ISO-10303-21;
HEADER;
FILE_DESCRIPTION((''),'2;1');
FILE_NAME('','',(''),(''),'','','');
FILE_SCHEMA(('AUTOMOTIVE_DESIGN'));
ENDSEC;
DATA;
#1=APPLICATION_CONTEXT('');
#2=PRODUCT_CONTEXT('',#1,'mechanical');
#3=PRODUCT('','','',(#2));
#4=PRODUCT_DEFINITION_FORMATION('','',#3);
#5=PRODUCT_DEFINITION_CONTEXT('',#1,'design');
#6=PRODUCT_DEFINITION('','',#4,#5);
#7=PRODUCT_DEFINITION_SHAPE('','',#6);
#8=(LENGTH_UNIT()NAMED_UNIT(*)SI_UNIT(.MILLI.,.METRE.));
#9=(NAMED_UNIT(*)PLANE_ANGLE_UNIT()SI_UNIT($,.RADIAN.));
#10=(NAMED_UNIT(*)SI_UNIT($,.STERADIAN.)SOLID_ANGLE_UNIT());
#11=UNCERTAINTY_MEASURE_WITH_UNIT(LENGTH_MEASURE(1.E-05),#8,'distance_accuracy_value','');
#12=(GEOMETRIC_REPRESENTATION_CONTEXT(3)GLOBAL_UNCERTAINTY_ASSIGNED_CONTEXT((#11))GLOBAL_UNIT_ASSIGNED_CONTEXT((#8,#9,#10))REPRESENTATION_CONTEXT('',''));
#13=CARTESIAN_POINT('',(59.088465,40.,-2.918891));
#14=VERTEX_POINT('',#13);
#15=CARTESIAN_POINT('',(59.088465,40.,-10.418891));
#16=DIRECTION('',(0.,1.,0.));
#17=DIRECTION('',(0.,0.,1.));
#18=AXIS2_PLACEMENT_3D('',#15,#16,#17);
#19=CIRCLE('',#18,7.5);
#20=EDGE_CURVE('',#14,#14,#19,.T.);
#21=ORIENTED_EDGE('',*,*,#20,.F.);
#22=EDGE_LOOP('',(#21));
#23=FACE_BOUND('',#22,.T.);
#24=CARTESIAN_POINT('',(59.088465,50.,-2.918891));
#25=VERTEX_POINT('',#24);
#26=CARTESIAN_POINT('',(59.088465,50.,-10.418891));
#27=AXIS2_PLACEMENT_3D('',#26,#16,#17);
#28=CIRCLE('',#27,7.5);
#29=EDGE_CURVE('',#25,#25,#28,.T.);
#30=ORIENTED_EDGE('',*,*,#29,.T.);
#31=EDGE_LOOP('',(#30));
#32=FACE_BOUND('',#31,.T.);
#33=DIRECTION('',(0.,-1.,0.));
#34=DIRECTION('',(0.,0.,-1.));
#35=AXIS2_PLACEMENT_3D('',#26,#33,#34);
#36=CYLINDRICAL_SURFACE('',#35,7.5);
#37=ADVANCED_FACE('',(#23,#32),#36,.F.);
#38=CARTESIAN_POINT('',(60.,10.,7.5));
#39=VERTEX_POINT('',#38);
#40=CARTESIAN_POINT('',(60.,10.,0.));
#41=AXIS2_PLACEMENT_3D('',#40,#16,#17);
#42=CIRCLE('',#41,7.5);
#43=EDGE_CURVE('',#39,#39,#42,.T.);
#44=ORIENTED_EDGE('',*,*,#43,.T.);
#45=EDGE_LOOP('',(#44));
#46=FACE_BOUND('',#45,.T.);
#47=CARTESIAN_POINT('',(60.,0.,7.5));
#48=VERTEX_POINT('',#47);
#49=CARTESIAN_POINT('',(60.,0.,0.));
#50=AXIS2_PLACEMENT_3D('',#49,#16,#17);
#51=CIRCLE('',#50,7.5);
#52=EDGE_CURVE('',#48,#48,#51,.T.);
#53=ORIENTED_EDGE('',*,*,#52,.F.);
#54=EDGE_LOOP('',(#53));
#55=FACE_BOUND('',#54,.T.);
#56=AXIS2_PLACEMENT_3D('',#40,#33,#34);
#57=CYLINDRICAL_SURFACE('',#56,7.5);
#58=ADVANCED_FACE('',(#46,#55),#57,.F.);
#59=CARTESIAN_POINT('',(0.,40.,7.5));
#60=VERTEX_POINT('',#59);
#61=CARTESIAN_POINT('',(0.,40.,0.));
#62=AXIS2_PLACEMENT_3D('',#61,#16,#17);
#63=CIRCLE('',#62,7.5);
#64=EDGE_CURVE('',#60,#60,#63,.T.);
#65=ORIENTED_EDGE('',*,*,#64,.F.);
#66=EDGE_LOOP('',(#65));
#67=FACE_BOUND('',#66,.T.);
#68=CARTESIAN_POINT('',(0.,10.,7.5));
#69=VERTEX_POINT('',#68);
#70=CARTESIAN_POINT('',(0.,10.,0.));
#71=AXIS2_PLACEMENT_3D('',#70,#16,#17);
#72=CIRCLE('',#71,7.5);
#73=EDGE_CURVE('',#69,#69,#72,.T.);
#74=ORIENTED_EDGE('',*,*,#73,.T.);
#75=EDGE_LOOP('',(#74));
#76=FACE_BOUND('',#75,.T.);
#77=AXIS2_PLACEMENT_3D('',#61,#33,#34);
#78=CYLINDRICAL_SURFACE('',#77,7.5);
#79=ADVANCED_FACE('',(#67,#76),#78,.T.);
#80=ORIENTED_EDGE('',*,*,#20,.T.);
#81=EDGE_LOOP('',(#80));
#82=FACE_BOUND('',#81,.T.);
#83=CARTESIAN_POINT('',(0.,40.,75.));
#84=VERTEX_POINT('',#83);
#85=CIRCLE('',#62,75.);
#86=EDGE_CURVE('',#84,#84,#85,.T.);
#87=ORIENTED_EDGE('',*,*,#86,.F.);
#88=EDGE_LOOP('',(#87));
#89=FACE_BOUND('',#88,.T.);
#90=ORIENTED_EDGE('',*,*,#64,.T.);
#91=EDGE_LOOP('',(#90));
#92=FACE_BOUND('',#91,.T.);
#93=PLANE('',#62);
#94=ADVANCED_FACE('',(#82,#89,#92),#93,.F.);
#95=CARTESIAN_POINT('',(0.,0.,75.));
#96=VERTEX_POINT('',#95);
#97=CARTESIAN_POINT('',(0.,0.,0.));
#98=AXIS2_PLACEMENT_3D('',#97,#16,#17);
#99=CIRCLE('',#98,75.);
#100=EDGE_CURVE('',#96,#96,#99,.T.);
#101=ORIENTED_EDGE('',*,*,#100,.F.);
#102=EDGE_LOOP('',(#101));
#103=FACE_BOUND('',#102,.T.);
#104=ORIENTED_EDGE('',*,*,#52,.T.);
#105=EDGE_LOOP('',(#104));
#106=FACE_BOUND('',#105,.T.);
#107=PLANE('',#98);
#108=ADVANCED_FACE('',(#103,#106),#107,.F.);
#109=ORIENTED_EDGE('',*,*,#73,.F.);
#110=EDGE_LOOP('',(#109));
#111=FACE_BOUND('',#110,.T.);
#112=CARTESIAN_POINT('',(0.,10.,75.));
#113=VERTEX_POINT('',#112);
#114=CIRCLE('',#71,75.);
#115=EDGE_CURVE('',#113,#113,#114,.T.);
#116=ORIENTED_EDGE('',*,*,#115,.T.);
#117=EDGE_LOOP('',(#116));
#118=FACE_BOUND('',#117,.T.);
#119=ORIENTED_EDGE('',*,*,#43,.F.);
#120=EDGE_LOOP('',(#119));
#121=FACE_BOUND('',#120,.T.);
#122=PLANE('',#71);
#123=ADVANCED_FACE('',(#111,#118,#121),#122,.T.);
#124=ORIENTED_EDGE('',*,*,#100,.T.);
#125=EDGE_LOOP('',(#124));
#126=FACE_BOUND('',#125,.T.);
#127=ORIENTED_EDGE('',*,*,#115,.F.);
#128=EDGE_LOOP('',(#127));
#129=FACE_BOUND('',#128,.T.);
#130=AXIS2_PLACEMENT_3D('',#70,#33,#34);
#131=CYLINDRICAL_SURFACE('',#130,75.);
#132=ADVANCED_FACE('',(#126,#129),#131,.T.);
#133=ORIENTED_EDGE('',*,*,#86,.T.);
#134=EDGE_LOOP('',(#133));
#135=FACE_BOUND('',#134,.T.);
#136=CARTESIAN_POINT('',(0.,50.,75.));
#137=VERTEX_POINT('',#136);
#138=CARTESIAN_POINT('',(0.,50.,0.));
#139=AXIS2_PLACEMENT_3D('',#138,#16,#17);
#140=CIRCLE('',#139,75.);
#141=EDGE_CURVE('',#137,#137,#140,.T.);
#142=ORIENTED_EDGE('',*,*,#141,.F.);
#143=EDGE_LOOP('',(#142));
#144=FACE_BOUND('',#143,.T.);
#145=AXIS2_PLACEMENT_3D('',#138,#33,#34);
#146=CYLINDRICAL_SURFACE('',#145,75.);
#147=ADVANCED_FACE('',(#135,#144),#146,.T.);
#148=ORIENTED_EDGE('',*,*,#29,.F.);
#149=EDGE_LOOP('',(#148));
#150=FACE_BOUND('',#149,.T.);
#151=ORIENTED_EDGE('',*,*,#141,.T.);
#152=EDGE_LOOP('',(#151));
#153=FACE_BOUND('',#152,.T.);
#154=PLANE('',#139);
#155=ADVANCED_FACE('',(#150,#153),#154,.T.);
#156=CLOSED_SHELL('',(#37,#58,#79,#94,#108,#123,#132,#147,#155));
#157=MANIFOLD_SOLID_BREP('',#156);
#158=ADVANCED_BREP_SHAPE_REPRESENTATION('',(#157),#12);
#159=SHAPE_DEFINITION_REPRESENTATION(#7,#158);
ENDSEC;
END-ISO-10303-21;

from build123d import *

# Parameters (mm, degrees)
SKETCH1_R           = 75
SKETCH1_R_2         = 7.5
BOSS_EXTRUDE1_DEPTH = 10
SKETCH2_R           = 7.5
BOSS_EXTRUDE2_DEPTH = 30
SKETCH3_R           = 75
SKETCH3_R_2         = 7.5
BOSS_EXTRUDE5_DEPTH = 10


with BuildPart() as part:
    # Sketch1 → Boss-Extrude1 (new body)
    with BuildSketch(Plane(origin=(0, 0, 0), x_dir=(1, 0, 0), z_dir=(0, 1, 0))):
        with Locations(Location((0, 0, 0), (0, 0, 270))):
            Circle(SKETCH1_R)
        with Locations(Location((60, 0, 0), (0, 0, 270))):
            Circle(SKETCH1_R_2, mode=Mode.SUBTRACT)
    extrude(amount=BOSS_EXTRUDE1_DEPTH)

    # Sketch2 → Boss-Extrude2 (add)
    with BuildSketch(Plane(origin=(0, 10, 0), x_dir=(1, 0, 0), z_dir=(0, 1, 0))):
        with Locations(Location((0, 0, 0), (0, 0, 270))):
            Circle(SKETCH2_R)
    extrude(amount=BOSS_EXTRUDE2_DEPTH)

    # Sketch3 → Boss-Extrude5 (add)
    with BuildSketch(Plane(origin=(0, 40, 0), x_dir=(1, 0, 0), z_dir=(0, 1, 0))):
        with Locations(Location((0, 0, 0), (0, 0, 270))):
            Circle(SKETCH3_R)
        with Locations(Location((59.088465181, 10.41889066, 0), (0, 0, 270))):
            Circle(SKETCH3_R_2, mode=Mode.SUBTRACT)
    extrude(amount=BOSS_EXTRUDE5_DEPTH)


solid = part.part
